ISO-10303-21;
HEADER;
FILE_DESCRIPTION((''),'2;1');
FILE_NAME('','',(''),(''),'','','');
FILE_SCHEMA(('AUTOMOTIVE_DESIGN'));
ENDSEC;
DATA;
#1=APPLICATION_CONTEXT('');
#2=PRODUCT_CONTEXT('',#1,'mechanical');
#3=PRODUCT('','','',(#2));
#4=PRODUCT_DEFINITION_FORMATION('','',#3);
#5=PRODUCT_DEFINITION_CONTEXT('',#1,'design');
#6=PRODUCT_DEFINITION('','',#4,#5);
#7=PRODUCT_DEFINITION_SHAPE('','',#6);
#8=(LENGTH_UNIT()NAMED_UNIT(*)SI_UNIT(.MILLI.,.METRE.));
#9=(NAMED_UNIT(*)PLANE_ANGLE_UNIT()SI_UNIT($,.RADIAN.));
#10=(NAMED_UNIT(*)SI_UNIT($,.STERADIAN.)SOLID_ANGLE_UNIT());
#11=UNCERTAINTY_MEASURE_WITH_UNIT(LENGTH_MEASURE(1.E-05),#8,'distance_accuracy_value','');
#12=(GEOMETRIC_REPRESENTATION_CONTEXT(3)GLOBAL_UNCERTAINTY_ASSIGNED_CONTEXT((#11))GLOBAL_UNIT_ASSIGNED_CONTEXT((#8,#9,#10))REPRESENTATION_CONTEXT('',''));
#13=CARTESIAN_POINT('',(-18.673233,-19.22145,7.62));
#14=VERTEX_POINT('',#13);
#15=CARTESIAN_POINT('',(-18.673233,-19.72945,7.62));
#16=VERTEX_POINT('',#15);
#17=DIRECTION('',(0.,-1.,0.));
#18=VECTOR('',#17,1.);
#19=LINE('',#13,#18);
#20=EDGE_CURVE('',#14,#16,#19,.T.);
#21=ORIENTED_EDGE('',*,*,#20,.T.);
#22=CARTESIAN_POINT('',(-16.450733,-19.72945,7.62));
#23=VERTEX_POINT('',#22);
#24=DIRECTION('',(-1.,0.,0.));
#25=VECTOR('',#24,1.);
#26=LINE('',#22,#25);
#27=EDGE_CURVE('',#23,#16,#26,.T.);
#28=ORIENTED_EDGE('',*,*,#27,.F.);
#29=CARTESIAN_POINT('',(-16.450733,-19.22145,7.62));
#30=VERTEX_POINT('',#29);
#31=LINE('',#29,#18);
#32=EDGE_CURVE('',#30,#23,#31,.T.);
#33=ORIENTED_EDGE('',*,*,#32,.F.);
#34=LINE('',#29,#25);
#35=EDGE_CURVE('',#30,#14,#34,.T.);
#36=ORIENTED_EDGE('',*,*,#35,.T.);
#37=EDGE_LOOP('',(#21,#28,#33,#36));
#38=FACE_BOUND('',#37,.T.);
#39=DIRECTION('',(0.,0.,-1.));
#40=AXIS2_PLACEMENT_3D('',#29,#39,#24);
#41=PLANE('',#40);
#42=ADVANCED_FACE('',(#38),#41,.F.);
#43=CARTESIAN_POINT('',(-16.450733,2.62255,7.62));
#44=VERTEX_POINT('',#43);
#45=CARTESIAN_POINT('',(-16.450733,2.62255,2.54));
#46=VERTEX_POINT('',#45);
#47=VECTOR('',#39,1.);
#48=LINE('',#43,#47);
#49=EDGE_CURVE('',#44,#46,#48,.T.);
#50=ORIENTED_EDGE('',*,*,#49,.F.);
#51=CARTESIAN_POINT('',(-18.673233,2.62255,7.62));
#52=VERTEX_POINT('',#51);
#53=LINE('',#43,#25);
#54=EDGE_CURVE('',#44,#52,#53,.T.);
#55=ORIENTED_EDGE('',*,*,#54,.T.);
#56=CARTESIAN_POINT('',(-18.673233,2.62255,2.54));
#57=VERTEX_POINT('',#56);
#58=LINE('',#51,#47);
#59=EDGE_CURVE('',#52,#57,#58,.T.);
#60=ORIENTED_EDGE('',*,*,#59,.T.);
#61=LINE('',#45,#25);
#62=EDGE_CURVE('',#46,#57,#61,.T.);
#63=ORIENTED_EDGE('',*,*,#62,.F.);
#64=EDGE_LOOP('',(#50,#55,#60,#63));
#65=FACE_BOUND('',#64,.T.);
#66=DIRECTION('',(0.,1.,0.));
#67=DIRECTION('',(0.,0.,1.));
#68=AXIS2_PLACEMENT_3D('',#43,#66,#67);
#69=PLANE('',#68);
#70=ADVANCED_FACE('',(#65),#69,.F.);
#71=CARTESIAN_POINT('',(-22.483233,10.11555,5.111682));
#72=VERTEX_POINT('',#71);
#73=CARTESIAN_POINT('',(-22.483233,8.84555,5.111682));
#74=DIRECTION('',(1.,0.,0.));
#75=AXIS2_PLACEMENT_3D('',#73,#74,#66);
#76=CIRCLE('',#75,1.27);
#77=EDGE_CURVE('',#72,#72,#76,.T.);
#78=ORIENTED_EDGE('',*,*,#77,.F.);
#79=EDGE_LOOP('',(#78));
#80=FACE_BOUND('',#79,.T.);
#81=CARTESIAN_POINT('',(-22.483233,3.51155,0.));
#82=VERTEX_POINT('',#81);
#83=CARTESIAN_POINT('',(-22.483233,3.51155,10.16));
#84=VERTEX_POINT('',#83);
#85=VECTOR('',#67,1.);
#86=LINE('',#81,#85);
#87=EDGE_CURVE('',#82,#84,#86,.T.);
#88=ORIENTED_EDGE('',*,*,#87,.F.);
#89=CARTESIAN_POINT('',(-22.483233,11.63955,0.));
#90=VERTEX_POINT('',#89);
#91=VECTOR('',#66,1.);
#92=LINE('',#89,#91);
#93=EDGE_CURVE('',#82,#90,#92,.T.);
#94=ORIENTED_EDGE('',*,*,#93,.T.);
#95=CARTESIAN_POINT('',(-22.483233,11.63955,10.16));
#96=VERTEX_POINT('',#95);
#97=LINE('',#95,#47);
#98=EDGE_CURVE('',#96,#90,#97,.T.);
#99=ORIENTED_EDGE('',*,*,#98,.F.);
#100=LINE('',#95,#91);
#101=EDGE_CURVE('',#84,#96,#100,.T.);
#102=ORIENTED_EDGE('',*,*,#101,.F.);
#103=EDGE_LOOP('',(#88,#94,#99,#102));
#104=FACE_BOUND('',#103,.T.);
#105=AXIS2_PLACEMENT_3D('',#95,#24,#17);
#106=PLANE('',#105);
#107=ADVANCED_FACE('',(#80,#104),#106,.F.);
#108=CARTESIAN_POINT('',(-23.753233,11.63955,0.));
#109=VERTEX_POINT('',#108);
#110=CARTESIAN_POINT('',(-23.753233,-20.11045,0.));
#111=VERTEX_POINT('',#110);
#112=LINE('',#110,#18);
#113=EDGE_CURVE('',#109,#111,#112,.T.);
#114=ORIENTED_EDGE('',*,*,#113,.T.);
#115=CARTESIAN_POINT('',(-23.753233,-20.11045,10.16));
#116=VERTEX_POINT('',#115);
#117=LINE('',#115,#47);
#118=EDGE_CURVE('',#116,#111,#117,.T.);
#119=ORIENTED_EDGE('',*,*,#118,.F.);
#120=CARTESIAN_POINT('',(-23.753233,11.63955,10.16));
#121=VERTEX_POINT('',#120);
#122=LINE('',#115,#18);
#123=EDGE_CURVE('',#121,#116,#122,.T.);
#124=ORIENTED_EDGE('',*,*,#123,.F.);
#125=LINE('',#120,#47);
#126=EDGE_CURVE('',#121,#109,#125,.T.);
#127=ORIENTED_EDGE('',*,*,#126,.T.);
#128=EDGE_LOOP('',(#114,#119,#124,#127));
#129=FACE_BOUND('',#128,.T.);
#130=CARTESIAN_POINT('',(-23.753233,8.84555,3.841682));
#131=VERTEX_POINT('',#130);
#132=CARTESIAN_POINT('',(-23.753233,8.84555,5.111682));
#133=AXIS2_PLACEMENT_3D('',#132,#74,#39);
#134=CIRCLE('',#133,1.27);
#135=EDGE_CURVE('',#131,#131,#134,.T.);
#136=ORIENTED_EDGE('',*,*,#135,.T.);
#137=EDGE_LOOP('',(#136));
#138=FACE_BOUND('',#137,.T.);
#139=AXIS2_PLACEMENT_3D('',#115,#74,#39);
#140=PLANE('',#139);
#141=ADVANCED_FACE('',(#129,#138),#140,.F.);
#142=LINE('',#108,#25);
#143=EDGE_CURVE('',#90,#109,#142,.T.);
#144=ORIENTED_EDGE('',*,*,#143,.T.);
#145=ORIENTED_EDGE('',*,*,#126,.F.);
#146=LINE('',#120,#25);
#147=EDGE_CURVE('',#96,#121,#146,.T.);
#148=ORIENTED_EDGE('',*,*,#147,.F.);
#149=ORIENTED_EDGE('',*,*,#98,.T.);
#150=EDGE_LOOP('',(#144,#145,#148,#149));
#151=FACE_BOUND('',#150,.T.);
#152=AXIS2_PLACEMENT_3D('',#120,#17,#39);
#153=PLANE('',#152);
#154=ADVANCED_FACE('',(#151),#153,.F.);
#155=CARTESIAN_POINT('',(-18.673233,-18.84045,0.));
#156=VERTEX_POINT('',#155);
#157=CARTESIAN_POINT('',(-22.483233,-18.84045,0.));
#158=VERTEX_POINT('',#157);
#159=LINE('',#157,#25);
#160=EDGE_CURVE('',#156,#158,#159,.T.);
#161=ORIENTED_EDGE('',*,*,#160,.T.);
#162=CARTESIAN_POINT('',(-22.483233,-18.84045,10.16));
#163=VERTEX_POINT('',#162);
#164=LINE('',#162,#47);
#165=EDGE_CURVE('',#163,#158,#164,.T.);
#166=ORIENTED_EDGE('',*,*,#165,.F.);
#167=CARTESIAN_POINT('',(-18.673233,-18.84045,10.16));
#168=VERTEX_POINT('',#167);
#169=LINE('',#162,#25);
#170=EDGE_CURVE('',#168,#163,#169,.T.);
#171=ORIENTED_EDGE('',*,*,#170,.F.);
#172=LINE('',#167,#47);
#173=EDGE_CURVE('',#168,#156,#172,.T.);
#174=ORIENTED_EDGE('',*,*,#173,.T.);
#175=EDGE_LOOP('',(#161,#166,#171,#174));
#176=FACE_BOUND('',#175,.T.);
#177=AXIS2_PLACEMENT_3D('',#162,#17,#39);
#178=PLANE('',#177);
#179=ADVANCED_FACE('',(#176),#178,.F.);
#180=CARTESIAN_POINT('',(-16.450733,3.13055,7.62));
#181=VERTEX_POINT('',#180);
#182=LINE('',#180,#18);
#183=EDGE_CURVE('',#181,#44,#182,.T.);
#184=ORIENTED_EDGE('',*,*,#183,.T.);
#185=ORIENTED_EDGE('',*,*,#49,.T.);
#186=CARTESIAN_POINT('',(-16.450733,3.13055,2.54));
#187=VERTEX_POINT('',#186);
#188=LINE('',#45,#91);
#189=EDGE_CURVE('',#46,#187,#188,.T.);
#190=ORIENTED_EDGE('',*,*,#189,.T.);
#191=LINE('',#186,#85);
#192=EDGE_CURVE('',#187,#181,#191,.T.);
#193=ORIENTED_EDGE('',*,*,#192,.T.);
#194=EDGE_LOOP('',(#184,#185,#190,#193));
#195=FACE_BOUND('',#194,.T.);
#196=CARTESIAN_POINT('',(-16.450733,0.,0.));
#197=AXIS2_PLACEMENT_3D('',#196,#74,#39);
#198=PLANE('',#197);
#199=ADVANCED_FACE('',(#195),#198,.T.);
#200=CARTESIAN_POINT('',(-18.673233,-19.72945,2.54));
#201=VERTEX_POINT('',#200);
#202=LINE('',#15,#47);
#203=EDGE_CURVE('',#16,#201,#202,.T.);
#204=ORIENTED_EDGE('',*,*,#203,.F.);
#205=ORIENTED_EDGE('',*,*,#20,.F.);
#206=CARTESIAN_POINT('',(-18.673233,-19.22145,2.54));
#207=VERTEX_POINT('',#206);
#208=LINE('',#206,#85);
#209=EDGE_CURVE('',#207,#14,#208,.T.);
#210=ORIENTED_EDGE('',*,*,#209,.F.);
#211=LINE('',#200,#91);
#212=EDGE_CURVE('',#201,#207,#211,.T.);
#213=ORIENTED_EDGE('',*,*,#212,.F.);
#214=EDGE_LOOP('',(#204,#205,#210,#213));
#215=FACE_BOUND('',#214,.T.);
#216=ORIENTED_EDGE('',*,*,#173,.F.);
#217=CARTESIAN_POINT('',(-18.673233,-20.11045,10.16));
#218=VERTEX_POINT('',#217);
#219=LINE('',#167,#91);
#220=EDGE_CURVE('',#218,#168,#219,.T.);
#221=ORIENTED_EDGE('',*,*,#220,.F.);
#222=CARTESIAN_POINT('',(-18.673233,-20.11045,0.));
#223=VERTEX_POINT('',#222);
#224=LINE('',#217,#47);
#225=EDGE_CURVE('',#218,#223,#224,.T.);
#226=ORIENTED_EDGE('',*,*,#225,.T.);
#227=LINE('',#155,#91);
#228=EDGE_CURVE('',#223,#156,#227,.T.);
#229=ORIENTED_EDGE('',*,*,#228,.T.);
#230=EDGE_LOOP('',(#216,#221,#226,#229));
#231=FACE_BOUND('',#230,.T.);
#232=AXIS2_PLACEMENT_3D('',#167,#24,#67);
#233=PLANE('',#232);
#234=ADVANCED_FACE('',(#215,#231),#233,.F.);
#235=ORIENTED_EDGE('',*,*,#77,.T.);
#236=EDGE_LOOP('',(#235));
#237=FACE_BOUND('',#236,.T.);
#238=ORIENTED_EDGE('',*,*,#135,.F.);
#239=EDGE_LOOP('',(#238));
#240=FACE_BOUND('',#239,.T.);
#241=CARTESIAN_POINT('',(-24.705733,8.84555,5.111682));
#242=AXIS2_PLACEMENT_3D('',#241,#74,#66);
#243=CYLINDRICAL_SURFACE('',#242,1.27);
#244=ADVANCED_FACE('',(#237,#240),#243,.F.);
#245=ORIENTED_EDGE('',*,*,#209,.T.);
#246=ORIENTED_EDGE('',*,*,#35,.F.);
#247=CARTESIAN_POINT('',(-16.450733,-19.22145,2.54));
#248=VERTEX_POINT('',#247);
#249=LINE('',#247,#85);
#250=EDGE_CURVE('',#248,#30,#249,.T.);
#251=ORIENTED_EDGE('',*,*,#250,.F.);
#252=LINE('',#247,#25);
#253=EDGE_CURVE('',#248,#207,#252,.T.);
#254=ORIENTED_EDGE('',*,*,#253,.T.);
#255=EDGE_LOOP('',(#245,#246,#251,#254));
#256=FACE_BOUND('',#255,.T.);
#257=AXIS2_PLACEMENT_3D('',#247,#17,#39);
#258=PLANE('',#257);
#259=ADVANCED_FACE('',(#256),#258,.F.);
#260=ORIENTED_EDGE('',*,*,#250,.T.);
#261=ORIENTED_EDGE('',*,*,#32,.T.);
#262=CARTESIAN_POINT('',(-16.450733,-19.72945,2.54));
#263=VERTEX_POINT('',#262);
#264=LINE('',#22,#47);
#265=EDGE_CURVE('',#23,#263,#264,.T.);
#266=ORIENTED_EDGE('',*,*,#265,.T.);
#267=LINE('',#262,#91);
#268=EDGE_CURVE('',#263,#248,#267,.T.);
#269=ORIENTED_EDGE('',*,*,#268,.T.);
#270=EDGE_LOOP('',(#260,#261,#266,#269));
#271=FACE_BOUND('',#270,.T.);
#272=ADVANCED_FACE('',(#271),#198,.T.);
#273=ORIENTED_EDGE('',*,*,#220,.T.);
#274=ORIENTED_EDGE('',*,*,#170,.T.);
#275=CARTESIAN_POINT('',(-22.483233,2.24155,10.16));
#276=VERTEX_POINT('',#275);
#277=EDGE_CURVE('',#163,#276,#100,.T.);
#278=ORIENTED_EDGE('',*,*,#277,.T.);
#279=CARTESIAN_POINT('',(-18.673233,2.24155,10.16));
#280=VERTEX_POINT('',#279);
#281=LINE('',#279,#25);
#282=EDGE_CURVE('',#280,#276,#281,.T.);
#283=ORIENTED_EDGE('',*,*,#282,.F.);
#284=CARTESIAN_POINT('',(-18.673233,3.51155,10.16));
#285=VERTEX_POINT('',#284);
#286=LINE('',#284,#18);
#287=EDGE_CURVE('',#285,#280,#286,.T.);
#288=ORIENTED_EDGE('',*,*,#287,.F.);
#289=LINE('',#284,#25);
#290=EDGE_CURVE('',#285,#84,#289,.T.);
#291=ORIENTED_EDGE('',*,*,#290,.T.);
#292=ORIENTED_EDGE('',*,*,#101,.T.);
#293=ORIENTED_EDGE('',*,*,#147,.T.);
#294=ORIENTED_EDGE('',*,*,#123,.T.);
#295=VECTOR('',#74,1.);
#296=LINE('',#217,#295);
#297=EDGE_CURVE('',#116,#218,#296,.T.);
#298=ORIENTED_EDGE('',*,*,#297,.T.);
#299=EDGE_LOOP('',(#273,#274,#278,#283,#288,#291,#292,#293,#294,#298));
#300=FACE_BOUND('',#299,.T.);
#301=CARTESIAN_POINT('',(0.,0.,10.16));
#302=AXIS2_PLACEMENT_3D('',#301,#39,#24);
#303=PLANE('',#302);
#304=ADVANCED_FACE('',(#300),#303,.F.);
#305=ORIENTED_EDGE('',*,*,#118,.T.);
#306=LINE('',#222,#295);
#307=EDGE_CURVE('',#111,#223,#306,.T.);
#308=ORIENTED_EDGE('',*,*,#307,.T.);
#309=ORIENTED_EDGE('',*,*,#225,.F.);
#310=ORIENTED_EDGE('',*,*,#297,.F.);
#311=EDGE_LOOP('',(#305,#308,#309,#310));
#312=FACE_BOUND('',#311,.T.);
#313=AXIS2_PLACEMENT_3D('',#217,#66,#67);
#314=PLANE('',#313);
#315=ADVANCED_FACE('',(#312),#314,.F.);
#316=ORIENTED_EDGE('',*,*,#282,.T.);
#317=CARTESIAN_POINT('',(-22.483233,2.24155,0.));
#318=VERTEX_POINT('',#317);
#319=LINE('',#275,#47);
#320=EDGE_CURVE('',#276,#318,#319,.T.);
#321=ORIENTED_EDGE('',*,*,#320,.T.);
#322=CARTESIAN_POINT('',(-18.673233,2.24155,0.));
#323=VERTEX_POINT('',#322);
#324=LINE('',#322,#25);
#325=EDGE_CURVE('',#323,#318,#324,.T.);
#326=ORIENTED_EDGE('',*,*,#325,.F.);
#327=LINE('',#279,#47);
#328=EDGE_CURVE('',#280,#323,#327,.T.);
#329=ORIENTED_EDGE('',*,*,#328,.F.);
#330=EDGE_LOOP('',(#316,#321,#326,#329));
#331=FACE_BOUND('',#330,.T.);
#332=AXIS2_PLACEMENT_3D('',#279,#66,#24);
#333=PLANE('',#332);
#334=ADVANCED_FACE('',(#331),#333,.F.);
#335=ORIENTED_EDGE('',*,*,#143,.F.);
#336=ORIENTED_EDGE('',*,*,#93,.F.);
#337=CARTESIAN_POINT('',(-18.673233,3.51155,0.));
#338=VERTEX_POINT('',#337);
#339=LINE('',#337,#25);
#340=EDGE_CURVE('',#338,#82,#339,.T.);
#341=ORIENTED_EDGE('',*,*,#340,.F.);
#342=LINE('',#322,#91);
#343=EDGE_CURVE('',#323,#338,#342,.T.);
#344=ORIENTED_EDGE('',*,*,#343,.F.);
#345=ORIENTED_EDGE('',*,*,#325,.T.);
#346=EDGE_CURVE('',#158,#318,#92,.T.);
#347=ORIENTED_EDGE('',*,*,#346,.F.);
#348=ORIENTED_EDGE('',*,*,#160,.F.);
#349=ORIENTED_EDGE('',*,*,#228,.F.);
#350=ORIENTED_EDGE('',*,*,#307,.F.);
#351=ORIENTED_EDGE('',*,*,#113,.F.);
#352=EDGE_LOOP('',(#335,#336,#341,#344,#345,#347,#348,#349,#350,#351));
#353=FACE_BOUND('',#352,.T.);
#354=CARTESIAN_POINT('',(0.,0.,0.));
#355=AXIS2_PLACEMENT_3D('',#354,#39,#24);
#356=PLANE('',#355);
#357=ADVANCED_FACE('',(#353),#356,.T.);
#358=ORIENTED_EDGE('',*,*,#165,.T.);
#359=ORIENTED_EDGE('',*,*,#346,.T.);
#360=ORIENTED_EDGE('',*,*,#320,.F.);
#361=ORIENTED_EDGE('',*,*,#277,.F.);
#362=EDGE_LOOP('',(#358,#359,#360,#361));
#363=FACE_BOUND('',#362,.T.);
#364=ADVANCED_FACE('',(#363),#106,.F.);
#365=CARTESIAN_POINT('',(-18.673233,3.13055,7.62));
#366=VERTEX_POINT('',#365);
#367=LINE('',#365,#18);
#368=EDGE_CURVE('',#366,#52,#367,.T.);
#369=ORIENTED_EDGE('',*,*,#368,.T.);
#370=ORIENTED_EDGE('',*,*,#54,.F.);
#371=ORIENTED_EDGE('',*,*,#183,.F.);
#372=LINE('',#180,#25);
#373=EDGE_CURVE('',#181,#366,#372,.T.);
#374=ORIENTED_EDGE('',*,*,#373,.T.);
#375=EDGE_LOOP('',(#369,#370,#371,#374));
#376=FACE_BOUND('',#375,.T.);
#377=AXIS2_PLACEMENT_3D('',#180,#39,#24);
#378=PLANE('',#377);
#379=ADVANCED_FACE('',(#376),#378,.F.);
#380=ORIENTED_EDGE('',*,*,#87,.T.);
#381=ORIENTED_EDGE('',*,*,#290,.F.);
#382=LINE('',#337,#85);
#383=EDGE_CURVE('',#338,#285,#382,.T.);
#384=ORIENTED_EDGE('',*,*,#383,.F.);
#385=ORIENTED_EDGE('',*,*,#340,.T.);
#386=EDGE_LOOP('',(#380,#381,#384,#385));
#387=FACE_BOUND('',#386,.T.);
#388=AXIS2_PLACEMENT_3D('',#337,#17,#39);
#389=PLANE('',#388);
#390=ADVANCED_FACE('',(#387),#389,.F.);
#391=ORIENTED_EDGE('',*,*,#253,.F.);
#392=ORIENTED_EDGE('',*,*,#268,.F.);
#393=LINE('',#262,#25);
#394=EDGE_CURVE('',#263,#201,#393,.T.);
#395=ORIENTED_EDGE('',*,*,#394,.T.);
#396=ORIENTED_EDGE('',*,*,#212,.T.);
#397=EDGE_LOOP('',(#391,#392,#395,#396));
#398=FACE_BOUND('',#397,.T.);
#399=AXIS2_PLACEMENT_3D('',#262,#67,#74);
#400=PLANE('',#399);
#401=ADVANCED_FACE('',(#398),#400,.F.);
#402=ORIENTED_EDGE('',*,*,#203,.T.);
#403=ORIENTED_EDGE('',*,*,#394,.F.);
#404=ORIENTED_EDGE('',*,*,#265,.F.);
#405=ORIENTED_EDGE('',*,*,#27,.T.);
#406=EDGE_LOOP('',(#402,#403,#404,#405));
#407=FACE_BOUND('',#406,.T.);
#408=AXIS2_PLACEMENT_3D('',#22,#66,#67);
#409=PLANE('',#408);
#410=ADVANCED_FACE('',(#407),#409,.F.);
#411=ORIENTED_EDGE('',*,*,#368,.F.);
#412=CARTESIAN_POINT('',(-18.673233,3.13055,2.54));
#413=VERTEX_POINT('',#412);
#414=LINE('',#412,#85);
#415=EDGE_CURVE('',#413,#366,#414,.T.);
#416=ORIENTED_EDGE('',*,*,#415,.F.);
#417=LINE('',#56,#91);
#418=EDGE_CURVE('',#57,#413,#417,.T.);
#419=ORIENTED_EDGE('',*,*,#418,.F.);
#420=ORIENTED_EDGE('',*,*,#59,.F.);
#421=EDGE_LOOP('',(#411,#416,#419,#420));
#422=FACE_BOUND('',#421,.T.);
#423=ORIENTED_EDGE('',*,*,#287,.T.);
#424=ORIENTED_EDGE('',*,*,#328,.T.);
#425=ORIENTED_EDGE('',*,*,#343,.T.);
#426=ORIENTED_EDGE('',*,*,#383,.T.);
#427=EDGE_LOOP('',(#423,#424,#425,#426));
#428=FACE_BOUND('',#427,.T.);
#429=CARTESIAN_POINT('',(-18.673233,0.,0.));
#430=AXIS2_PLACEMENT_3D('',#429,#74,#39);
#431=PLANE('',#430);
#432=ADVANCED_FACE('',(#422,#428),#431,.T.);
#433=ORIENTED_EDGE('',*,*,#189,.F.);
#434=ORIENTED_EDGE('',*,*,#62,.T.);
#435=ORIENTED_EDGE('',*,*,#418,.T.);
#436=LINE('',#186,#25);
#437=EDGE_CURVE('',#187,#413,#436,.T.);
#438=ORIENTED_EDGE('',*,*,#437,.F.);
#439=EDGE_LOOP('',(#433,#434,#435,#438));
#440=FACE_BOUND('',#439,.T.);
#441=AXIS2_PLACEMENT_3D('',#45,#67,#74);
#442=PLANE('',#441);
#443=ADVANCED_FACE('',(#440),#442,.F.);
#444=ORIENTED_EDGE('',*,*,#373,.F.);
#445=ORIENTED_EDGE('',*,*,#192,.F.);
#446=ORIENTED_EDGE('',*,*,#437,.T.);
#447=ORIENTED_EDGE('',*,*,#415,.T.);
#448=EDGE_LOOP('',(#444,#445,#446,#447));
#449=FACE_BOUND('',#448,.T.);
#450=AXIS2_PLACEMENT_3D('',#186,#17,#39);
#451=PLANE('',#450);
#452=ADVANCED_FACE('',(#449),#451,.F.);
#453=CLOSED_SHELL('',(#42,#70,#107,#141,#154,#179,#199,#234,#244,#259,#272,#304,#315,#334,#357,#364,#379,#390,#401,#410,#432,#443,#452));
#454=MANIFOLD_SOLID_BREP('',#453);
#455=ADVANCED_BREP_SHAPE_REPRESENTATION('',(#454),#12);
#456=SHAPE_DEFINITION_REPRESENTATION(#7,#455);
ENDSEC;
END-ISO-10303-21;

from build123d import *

# Parameters (mm, degrees)
BOSS_EXTRUDE1_DEPTH = 10.16
SKETCH6_W           = 10.16
SKETCH6_H           = 1.27
BOSS_EXTRUDE3_DEPTH = 3.81
SKETCH23_W          = 5.08
SKETCH23_H          = 0.508
BOSS_EXTRUDE4_DEPTH = 2.2225
SKETCH25_W          = 5.08
SKETCH25_H          = 0.508
BOSS_EXTRUDE5_DEPTH = 2.2225
SKETCH26_R          = 1.27
CUT_EXTRUDE1_DEPTH  = 2.2225


with BuildPart() as part:
    # Sketch1 → Boss-Extrude1 (new body)
    with BuildSketch(Plane.XY):
        Polygon((-22.483233333, 11.63955), (-22.483233333, -18.84045), (-18.673233333, -18.84045), (-18.673233333, -20.11045), (-23.753233333, -20.11045), (-23.753233333, 11.63955), align=None)
    extrude(amount=BOSS_EXTRUDE1_DEPTH)

    # Sketch6 → Boss-Extrude3 (add)
    with BuildSketch(Plane(origin=(-22.483233333, 0, 0), x_dir=(0, 0, -1), z_dir=(1, 0, 0))):
        with Locations((-5.08, 2.87655)):
            Rectangle(SKETCH6_W, SKETCH6_H)
    extrude(amount=BOSS_EXTRUDE3_DEPTH)

    # Sketch23 → Boss-Extrude4 (add)
    with BuildSketch(Plane(origin=(-18.673233333, 0, 0), x_dir=(0, 0, -1), z_dir=(1, 0, 0))):
        with Locations((-5.08, 2.87655)):
            Rectangle(SKETCH23_W, SKETCH23_H)
    extrude(amount=BOSS_EXTRUDE4_DEPTH)

    # Sketch25 → Boss-Extrude5 (add)
    with BuildSketch(Plane(origin=(-18.673233333, 0, 0), x_dir=(0, 0, -1), z_dir=(1, 0, 0))):
        with Locations((-5.08, -19.47545)):
            Rectangle(SKETCH25_W, SKETCH25_H)
    extrude(amount=BOSS_EXTRUDE5_DEPTH)

    # Sketch26 → Cut-Extrude1 (cut)
    with BuildSketch(Plane(origin=(-22.483233333, 0, 0), x_dir=(0, 0, -1), z_dir=(1, 0, 0))):
        with Locations((-5.111682079, 8.84555)):
            Circle(SKETCH26_R)
    extrude(amount=-CUT_EXTRUDE1_DEPTH, mode=Mode.SUBTRACT)


solid = part.part
